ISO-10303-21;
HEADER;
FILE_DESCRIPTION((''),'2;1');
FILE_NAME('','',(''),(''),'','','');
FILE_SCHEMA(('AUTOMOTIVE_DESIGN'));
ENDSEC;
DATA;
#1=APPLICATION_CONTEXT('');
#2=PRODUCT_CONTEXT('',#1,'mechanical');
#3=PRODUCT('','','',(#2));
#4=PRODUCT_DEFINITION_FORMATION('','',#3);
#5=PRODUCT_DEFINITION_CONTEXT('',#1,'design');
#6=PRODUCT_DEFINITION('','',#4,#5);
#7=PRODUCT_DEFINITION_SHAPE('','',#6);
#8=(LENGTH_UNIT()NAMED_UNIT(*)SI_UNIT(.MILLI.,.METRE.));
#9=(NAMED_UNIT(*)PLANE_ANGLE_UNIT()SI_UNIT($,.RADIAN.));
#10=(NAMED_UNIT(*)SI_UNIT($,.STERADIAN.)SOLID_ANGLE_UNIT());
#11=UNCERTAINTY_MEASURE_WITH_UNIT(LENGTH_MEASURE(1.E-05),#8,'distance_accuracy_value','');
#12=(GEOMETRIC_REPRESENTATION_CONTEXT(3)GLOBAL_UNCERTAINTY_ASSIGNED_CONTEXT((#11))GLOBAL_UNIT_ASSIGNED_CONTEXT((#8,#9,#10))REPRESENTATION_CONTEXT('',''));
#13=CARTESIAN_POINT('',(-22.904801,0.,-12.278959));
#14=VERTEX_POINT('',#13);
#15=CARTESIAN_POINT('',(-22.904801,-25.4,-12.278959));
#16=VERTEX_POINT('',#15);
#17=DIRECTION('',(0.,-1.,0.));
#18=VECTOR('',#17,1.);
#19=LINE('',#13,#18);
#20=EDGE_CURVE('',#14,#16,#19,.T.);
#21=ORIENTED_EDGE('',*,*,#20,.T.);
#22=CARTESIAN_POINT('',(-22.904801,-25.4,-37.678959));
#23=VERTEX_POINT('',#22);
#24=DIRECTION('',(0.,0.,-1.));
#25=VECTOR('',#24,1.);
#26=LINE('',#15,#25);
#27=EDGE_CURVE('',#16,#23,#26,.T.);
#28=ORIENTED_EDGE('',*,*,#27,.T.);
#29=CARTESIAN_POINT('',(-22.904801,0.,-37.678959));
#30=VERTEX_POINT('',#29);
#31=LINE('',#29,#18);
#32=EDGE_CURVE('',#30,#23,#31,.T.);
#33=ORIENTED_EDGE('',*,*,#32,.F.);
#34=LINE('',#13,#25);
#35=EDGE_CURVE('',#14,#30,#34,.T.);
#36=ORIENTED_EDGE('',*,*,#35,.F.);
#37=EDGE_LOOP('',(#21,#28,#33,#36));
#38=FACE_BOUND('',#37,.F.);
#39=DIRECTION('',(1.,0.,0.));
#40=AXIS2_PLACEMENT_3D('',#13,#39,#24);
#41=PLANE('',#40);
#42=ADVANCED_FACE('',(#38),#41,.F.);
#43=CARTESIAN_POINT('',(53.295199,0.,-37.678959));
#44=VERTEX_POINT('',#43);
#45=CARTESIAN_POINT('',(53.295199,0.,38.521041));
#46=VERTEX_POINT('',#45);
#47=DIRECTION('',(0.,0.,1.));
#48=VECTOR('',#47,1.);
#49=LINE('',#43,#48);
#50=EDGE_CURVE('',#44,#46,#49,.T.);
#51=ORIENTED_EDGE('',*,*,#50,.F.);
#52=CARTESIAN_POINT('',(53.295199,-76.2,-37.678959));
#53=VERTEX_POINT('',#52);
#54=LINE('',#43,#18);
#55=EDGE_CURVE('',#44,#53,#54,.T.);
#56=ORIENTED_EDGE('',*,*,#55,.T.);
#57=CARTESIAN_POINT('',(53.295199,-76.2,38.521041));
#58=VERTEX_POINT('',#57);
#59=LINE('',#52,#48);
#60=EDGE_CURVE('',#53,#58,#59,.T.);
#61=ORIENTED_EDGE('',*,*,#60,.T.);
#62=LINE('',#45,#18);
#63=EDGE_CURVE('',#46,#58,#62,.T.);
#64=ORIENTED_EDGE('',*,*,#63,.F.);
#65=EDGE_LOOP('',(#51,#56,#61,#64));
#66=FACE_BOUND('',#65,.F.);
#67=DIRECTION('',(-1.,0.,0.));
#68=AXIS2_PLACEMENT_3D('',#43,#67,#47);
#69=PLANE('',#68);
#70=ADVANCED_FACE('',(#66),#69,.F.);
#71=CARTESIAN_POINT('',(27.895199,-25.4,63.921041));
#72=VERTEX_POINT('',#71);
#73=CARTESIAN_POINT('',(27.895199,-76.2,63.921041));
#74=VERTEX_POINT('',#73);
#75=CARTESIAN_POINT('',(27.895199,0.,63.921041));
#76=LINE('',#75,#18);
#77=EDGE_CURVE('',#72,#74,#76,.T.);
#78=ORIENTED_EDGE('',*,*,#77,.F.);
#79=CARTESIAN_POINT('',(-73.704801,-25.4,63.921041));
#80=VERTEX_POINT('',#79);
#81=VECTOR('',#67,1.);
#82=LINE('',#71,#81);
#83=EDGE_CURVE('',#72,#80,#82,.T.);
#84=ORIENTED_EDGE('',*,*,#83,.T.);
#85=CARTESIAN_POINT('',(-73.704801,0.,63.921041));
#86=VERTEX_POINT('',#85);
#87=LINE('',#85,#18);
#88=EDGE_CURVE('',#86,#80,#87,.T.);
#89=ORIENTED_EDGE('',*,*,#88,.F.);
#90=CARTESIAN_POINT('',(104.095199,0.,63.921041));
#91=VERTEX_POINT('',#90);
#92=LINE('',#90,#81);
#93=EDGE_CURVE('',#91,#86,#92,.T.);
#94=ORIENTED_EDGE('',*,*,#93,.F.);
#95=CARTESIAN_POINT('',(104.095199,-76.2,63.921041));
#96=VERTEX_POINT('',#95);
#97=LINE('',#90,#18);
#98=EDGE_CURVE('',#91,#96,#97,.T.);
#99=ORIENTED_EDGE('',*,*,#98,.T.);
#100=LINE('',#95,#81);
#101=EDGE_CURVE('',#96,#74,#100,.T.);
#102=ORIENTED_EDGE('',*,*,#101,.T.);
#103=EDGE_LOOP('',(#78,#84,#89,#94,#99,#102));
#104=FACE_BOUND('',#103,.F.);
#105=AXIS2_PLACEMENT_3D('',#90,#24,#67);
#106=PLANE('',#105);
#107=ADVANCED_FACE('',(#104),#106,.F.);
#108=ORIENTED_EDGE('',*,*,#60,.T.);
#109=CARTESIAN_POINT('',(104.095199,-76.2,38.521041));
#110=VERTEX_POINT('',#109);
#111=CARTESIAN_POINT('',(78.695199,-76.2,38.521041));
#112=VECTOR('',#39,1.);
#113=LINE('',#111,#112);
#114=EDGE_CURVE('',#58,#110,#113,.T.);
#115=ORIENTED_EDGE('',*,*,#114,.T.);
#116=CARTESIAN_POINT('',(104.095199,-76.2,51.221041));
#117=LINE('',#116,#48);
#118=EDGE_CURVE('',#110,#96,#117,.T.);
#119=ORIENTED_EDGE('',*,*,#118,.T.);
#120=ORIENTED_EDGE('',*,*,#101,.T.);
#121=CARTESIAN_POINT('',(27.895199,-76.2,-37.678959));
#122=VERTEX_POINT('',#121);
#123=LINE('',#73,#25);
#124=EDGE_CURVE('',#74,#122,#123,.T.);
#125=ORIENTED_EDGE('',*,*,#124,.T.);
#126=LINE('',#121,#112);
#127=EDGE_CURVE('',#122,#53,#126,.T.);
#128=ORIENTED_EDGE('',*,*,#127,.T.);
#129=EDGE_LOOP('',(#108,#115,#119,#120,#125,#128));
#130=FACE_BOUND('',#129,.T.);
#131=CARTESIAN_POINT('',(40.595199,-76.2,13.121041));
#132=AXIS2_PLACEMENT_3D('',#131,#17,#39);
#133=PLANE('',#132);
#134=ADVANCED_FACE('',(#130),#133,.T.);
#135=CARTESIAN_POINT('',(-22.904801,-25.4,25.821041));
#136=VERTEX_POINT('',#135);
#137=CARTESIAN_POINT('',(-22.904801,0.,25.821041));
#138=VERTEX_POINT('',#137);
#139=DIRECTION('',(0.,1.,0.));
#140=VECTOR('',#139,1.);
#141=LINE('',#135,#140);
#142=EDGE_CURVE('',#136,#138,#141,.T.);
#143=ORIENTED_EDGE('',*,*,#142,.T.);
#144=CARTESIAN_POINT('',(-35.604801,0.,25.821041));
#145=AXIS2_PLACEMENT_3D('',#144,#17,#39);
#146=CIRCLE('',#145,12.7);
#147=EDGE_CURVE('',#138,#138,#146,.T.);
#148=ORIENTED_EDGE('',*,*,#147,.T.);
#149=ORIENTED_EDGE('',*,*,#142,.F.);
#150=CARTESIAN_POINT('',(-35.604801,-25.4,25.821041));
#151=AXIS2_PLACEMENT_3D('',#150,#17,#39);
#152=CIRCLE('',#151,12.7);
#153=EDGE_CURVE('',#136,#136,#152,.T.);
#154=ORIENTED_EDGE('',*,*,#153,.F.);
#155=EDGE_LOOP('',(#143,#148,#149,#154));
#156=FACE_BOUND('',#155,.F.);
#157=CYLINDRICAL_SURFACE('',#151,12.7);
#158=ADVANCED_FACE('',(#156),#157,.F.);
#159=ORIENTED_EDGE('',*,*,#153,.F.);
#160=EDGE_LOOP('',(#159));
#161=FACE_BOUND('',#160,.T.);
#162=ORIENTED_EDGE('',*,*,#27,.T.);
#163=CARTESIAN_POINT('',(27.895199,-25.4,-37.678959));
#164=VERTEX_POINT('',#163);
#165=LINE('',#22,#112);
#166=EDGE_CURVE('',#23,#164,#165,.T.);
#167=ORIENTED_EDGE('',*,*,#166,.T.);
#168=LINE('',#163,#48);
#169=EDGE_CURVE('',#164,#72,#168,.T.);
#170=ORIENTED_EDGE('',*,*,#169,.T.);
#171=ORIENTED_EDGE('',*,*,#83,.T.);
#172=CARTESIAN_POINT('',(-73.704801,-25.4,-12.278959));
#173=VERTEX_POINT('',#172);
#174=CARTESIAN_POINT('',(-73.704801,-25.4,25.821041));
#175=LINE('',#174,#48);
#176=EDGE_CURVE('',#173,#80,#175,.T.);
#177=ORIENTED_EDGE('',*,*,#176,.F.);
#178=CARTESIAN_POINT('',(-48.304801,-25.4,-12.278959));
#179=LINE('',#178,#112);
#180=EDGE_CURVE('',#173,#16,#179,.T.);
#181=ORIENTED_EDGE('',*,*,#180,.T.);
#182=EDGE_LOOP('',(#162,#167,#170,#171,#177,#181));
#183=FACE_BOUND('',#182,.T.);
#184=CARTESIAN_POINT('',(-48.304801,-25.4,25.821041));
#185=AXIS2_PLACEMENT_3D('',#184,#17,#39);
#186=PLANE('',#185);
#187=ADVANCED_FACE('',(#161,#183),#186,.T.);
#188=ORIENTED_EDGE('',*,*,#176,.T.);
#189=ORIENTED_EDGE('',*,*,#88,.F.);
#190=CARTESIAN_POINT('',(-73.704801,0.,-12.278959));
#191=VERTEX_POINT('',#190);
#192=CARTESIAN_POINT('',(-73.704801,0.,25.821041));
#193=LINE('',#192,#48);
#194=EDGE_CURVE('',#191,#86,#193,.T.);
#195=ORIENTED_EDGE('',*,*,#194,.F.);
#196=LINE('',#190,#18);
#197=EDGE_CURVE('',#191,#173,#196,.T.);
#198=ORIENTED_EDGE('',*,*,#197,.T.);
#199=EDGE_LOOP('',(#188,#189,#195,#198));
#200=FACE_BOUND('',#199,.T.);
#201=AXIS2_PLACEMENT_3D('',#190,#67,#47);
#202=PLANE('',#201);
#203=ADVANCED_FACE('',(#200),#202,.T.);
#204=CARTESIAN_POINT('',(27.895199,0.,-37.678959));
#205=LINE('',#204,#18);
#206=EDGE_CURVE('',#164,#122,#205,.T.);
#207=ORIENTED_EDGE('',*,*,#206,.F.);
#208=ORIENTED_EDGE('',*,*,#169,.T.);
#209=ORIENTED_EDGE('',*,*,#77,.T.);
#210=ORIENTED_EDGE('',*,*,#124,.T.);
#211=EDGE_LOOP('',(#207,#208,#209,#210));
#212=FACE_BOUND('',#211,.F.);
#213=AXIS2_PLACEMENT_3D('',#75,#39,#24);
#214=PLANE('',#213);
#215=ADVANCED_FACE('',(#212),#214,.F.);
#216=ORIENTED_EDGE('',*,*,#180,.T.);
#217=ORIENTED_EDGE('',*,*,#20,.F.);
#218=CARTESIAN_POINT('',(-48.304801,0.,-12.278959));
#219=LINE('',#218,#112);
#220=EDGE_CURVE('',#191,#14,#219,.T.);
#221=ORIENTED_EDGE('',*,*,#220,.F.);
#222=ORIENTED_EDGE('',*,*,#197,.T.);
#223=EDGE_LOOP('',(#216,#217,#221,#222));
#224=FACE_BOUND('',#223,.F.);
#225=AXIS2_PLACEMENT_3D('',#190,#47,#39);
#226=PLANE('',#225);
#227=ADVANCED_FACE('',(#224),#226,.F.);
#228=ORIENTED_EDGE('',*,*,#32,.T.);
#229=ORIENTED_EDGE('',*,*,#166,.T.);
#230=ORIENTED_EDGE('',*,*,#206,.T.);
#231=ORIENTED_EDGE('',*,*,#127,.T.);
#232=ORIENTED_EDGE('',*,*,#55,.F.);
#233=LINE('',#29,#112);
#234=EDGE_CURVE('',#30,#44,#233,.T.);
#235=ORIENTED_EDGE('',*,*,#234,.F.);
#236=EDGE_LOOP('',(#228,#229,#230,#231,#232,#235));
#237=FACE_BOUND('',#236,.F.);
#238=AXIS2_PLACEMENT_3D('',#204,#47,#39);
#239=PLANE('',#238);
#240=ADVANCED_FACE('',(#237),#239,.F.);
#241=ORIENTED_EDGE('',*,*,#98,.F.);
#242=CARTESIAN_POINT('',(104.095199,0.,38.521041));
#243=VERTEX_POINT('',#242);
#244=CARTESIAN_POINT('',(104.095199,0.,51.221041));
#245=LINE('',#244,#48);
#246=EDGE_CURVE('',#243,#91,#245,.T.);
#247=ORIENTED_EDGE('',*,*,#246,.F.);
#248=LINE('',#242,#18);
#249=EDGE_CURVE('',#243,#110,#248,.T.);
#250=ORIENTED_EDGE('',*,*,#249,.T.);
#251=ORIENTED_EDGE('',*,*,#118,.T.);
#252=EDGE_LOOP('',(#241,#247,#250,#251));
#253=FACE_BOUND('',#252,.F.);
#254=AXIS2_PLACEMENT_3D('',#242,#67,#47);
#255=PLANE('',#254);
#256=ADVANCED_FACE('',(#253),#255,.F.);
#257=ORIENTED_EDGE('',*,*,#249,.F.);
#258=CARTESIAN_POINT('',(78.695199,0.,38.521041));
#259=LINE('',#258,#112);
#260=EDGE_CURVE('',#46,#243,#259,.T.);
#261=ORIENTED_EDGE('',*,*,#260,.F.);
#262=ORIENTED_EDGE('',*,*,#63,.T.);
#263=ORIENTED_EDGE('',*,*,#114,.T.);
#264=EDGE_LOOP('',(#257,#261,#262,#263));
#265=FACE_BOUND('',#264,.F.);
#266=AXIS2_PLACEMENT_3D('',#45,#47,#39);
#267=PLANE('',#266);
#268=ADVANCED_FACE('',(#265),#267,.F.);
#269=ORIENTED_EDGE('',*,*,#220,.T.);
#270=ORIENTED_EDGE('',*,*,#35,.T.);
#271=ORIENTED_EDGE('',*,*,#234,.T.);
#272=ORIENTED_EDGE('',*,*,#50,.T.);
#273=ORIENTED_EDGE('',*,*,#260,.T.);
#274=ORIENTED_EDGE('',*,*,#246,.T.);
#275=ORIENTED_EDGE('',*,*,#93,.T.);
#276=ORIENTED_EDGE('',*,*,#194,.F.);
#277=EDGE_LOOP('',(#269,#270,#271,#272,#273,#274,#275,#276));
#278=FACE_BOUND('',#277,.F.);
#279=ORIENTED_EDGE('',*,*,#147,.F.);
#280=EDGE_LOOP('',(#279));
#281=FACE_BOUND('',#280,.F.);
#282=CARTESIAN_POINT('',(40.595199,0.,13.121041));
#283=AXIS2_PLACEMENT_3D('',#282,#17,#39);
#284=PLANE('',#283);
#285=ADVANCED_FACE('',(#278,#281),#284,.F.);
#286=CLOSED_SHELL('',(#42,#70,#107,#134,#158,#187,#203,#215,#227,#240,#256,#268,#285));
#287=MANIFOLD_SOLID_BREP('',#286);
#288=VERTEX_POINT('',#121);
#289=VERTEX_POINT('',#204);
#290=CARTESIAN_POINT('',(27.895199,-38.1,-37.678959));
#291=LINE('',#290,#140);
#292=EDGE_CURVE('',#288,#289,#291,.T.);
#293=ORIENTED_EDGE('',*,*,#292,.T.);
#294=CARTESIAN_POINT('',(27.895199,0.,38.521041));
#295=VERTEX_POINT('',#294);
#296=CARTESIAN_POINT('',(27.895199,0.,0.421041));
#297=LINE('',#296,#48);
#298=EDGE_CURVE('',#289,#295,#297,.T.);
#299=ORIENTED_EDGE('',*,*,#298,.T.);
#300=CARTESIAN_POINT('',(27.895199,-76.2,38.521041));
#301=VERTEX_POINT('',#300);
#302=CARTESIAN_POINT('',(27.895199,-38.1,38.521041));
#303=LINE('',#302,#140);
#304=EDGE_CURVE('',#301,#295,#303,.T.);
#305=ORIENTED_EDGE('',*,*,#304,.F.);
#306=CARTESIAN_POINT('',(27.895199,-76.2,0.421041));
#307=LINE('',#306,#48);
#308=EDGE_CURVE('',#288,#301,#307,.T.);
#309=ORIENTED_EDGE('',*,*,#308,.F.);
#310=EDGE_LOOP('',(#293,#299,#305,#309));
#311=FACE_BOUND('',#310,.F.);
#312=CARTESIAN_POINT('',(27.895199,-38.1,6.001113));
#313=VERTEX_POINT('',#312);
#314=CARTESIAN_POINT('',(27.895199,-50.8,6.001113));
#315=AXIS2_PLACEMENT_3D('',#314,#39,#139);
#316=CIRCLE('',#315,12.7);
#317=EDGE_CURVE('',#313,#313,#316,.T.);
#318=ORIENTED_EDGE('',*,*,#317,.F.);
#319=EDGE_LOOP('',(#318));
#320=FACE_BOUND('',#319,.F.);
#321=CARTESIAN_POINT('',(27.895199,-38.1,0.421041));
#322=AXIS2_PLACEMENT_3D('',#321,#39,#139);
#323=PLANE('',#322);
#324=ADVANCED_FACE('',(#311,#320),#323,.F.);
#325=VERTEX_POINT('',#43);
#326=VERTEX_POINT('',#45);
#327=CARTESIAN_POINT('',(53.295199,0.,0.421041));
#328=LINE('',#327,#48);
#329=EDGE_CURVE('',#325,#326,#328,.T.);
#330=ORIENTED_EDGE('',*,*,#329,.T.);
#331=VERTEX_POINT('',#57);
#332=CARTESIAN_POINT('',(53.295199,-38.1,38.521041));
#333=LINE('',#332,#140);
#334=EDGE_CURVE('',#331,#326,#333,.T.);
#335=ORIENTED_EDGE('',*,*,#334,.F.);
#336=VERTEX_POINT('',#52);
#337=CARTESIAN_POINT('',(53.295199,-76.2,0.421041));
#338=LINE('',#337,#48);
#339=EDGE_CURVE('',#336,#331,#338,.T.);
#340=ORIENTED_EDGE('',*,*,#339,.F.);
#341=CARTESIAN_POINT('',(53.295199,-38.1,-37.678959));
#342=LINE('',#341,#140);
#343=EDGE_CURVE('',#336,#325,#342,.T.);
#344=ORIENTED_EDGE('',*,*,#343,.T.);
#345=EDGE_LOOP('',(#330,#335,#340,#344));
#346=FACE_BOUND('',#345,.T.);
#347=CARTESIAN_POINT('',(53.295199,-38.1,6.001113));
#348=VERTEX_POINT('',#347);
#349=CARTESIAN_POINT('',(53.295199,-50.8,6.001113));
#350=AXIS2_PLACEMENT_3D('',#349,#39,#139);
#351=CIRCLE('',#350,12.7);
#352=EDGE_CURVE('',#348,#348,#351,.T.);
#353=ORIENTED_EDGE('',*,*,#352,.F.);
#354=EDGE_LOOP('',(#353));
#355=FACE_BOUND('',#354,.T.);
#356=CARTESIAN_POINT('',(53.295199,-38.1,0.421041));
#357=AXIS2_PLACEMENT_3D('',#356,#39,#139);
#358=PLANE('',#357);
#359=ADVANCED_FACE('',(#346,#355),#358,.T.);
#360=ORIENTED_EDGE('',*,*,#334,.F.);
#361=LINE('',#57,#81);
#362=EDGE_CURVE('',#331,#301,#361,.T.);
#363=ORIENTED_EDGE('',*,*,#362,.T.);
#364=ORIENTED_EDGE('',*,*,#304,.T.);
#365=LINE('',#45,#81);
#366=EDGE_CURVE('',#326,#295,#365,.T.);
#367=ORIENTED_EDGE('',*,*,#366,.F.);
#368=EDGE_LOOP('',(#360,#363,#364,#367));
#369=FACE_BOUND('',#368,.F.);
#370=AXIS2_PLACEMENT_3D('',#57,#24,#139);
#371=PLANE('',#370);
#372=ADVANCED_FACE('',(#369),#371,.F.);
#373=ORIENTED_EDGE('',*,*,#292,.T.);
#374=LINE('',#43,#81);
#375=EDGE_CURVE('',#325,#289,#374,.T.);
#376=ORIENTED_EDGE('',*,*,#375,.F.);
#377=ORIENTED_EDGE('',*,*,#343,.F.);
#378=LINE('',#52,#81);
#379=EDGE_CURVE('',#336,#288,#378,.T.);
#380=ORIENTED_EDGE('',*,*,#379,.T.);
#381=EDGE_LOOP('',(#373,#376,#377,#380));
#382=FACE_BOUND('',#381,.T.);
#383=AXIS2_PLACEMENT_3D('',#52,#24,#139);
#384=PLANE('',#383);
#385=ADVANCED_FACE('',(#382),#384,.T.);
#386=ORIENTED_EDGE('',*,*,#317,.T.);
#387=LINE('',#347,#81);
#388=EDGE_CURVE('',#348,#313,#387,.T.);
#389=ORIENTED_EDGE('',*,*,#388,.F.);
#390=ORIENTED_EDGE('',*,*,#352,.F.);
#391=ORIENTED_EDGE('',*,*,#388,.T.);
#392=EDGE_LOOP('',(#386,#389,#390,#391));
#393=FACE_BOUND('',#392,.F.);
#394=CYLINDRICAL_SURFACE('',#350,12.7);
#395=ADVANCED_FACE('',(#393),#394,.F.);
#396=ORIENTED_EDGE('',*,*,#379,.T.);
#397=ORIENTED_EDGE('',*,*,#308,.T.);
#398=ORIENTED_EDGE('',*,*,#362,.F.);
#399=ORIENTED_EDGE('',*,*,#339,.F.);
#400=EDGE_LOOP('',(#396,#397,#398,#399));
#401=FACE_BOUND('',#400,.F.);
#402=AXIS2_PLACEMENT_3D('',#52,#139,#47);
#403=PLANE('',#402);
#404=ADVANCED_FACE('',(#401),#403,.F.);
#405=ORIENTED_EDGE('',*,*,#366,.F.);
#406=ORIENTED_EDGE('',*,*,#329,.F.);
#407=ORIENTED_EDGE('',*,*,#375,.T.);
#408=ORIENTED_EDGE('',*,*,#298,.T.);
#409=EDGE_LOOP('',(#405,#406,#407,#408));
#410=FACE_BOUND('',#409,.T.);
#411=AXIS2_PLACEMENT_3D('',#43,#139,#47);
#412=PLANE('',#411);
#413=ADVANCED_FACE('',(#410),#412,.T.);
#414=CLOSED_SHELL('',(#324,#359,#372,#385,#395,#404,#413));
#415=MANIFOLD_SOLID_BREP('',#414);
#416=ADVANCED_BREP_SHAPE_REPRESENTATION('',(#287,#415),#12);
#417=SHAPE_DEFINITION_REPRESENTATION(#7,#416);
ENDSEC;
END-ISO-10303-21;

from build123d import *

# Parameters (mm, degrees)
F0_W     = 50.8
F0_H     = 76.2
F1_DEPTH = 25.4
F0_H_2   = 25.4
F2_DEPTH = 76.2
F4_R     = 12.7
F5_DEPTH = 25.4
F3_W     = 76.2
F3_H     = 76.2
F3_R     = 12.7
F6_DEPTH = 25.4


with BuildPart() as f1:
    # F0 (on Front) → F1 (new body)
    with BuildSketch(Plane.XZ):
        with Locations((-48.304801, 25.821041)):
            Rectangle(F0_W, F0_H)
        Polygon((27.895199, 63.921041), (-22.904801, 63.921041), (-22.904801, -12.278959), (-22.904801, -37.678959), (27.895199, -37.678959), align=None)
    extrude(amount=F1_DEPTH)

    # F0 (on Front) → F2 (join)
    with BuildSketch(Plane.XZ):
        Polygon((53.295199, 63.921041), (27.895199, 63.921041), (27.895199, -37.678959), (53.295199, -37.678959), (53.295199, 38.521041), align=None)
        with Locations((78.695199, 51.221041)):
            Rectangle(F0_W, F0_H_2)
    extrude(amount=F2_DEPTH)

    # F4 (on face) → F5 (cut)
    with BuildSketch(Plane.XZ.offset(25.4)):
        with Locations((-35.604801, 25.821041)):
            Circle(F4_R)
    extrude(amount=-F5_DEPTH, mode=Mode.SUBTRACT)


with BuildPart() as f6:
    # F3 (on face) → F6 (new body)
    with BuildSketch(Plane.YZ.offset(53.295199)):
        with Locations((-38.1, 0.421041)):
            Rectangle(F3_W, F3_H)
        with Locations((-50.8, 6.001113)):
            Circle(F3_R, mode=Mode.SUBTRACT)
    extrude(amount=-F6_DEPTH)


solid = Compound([f1.part, f6.part])
